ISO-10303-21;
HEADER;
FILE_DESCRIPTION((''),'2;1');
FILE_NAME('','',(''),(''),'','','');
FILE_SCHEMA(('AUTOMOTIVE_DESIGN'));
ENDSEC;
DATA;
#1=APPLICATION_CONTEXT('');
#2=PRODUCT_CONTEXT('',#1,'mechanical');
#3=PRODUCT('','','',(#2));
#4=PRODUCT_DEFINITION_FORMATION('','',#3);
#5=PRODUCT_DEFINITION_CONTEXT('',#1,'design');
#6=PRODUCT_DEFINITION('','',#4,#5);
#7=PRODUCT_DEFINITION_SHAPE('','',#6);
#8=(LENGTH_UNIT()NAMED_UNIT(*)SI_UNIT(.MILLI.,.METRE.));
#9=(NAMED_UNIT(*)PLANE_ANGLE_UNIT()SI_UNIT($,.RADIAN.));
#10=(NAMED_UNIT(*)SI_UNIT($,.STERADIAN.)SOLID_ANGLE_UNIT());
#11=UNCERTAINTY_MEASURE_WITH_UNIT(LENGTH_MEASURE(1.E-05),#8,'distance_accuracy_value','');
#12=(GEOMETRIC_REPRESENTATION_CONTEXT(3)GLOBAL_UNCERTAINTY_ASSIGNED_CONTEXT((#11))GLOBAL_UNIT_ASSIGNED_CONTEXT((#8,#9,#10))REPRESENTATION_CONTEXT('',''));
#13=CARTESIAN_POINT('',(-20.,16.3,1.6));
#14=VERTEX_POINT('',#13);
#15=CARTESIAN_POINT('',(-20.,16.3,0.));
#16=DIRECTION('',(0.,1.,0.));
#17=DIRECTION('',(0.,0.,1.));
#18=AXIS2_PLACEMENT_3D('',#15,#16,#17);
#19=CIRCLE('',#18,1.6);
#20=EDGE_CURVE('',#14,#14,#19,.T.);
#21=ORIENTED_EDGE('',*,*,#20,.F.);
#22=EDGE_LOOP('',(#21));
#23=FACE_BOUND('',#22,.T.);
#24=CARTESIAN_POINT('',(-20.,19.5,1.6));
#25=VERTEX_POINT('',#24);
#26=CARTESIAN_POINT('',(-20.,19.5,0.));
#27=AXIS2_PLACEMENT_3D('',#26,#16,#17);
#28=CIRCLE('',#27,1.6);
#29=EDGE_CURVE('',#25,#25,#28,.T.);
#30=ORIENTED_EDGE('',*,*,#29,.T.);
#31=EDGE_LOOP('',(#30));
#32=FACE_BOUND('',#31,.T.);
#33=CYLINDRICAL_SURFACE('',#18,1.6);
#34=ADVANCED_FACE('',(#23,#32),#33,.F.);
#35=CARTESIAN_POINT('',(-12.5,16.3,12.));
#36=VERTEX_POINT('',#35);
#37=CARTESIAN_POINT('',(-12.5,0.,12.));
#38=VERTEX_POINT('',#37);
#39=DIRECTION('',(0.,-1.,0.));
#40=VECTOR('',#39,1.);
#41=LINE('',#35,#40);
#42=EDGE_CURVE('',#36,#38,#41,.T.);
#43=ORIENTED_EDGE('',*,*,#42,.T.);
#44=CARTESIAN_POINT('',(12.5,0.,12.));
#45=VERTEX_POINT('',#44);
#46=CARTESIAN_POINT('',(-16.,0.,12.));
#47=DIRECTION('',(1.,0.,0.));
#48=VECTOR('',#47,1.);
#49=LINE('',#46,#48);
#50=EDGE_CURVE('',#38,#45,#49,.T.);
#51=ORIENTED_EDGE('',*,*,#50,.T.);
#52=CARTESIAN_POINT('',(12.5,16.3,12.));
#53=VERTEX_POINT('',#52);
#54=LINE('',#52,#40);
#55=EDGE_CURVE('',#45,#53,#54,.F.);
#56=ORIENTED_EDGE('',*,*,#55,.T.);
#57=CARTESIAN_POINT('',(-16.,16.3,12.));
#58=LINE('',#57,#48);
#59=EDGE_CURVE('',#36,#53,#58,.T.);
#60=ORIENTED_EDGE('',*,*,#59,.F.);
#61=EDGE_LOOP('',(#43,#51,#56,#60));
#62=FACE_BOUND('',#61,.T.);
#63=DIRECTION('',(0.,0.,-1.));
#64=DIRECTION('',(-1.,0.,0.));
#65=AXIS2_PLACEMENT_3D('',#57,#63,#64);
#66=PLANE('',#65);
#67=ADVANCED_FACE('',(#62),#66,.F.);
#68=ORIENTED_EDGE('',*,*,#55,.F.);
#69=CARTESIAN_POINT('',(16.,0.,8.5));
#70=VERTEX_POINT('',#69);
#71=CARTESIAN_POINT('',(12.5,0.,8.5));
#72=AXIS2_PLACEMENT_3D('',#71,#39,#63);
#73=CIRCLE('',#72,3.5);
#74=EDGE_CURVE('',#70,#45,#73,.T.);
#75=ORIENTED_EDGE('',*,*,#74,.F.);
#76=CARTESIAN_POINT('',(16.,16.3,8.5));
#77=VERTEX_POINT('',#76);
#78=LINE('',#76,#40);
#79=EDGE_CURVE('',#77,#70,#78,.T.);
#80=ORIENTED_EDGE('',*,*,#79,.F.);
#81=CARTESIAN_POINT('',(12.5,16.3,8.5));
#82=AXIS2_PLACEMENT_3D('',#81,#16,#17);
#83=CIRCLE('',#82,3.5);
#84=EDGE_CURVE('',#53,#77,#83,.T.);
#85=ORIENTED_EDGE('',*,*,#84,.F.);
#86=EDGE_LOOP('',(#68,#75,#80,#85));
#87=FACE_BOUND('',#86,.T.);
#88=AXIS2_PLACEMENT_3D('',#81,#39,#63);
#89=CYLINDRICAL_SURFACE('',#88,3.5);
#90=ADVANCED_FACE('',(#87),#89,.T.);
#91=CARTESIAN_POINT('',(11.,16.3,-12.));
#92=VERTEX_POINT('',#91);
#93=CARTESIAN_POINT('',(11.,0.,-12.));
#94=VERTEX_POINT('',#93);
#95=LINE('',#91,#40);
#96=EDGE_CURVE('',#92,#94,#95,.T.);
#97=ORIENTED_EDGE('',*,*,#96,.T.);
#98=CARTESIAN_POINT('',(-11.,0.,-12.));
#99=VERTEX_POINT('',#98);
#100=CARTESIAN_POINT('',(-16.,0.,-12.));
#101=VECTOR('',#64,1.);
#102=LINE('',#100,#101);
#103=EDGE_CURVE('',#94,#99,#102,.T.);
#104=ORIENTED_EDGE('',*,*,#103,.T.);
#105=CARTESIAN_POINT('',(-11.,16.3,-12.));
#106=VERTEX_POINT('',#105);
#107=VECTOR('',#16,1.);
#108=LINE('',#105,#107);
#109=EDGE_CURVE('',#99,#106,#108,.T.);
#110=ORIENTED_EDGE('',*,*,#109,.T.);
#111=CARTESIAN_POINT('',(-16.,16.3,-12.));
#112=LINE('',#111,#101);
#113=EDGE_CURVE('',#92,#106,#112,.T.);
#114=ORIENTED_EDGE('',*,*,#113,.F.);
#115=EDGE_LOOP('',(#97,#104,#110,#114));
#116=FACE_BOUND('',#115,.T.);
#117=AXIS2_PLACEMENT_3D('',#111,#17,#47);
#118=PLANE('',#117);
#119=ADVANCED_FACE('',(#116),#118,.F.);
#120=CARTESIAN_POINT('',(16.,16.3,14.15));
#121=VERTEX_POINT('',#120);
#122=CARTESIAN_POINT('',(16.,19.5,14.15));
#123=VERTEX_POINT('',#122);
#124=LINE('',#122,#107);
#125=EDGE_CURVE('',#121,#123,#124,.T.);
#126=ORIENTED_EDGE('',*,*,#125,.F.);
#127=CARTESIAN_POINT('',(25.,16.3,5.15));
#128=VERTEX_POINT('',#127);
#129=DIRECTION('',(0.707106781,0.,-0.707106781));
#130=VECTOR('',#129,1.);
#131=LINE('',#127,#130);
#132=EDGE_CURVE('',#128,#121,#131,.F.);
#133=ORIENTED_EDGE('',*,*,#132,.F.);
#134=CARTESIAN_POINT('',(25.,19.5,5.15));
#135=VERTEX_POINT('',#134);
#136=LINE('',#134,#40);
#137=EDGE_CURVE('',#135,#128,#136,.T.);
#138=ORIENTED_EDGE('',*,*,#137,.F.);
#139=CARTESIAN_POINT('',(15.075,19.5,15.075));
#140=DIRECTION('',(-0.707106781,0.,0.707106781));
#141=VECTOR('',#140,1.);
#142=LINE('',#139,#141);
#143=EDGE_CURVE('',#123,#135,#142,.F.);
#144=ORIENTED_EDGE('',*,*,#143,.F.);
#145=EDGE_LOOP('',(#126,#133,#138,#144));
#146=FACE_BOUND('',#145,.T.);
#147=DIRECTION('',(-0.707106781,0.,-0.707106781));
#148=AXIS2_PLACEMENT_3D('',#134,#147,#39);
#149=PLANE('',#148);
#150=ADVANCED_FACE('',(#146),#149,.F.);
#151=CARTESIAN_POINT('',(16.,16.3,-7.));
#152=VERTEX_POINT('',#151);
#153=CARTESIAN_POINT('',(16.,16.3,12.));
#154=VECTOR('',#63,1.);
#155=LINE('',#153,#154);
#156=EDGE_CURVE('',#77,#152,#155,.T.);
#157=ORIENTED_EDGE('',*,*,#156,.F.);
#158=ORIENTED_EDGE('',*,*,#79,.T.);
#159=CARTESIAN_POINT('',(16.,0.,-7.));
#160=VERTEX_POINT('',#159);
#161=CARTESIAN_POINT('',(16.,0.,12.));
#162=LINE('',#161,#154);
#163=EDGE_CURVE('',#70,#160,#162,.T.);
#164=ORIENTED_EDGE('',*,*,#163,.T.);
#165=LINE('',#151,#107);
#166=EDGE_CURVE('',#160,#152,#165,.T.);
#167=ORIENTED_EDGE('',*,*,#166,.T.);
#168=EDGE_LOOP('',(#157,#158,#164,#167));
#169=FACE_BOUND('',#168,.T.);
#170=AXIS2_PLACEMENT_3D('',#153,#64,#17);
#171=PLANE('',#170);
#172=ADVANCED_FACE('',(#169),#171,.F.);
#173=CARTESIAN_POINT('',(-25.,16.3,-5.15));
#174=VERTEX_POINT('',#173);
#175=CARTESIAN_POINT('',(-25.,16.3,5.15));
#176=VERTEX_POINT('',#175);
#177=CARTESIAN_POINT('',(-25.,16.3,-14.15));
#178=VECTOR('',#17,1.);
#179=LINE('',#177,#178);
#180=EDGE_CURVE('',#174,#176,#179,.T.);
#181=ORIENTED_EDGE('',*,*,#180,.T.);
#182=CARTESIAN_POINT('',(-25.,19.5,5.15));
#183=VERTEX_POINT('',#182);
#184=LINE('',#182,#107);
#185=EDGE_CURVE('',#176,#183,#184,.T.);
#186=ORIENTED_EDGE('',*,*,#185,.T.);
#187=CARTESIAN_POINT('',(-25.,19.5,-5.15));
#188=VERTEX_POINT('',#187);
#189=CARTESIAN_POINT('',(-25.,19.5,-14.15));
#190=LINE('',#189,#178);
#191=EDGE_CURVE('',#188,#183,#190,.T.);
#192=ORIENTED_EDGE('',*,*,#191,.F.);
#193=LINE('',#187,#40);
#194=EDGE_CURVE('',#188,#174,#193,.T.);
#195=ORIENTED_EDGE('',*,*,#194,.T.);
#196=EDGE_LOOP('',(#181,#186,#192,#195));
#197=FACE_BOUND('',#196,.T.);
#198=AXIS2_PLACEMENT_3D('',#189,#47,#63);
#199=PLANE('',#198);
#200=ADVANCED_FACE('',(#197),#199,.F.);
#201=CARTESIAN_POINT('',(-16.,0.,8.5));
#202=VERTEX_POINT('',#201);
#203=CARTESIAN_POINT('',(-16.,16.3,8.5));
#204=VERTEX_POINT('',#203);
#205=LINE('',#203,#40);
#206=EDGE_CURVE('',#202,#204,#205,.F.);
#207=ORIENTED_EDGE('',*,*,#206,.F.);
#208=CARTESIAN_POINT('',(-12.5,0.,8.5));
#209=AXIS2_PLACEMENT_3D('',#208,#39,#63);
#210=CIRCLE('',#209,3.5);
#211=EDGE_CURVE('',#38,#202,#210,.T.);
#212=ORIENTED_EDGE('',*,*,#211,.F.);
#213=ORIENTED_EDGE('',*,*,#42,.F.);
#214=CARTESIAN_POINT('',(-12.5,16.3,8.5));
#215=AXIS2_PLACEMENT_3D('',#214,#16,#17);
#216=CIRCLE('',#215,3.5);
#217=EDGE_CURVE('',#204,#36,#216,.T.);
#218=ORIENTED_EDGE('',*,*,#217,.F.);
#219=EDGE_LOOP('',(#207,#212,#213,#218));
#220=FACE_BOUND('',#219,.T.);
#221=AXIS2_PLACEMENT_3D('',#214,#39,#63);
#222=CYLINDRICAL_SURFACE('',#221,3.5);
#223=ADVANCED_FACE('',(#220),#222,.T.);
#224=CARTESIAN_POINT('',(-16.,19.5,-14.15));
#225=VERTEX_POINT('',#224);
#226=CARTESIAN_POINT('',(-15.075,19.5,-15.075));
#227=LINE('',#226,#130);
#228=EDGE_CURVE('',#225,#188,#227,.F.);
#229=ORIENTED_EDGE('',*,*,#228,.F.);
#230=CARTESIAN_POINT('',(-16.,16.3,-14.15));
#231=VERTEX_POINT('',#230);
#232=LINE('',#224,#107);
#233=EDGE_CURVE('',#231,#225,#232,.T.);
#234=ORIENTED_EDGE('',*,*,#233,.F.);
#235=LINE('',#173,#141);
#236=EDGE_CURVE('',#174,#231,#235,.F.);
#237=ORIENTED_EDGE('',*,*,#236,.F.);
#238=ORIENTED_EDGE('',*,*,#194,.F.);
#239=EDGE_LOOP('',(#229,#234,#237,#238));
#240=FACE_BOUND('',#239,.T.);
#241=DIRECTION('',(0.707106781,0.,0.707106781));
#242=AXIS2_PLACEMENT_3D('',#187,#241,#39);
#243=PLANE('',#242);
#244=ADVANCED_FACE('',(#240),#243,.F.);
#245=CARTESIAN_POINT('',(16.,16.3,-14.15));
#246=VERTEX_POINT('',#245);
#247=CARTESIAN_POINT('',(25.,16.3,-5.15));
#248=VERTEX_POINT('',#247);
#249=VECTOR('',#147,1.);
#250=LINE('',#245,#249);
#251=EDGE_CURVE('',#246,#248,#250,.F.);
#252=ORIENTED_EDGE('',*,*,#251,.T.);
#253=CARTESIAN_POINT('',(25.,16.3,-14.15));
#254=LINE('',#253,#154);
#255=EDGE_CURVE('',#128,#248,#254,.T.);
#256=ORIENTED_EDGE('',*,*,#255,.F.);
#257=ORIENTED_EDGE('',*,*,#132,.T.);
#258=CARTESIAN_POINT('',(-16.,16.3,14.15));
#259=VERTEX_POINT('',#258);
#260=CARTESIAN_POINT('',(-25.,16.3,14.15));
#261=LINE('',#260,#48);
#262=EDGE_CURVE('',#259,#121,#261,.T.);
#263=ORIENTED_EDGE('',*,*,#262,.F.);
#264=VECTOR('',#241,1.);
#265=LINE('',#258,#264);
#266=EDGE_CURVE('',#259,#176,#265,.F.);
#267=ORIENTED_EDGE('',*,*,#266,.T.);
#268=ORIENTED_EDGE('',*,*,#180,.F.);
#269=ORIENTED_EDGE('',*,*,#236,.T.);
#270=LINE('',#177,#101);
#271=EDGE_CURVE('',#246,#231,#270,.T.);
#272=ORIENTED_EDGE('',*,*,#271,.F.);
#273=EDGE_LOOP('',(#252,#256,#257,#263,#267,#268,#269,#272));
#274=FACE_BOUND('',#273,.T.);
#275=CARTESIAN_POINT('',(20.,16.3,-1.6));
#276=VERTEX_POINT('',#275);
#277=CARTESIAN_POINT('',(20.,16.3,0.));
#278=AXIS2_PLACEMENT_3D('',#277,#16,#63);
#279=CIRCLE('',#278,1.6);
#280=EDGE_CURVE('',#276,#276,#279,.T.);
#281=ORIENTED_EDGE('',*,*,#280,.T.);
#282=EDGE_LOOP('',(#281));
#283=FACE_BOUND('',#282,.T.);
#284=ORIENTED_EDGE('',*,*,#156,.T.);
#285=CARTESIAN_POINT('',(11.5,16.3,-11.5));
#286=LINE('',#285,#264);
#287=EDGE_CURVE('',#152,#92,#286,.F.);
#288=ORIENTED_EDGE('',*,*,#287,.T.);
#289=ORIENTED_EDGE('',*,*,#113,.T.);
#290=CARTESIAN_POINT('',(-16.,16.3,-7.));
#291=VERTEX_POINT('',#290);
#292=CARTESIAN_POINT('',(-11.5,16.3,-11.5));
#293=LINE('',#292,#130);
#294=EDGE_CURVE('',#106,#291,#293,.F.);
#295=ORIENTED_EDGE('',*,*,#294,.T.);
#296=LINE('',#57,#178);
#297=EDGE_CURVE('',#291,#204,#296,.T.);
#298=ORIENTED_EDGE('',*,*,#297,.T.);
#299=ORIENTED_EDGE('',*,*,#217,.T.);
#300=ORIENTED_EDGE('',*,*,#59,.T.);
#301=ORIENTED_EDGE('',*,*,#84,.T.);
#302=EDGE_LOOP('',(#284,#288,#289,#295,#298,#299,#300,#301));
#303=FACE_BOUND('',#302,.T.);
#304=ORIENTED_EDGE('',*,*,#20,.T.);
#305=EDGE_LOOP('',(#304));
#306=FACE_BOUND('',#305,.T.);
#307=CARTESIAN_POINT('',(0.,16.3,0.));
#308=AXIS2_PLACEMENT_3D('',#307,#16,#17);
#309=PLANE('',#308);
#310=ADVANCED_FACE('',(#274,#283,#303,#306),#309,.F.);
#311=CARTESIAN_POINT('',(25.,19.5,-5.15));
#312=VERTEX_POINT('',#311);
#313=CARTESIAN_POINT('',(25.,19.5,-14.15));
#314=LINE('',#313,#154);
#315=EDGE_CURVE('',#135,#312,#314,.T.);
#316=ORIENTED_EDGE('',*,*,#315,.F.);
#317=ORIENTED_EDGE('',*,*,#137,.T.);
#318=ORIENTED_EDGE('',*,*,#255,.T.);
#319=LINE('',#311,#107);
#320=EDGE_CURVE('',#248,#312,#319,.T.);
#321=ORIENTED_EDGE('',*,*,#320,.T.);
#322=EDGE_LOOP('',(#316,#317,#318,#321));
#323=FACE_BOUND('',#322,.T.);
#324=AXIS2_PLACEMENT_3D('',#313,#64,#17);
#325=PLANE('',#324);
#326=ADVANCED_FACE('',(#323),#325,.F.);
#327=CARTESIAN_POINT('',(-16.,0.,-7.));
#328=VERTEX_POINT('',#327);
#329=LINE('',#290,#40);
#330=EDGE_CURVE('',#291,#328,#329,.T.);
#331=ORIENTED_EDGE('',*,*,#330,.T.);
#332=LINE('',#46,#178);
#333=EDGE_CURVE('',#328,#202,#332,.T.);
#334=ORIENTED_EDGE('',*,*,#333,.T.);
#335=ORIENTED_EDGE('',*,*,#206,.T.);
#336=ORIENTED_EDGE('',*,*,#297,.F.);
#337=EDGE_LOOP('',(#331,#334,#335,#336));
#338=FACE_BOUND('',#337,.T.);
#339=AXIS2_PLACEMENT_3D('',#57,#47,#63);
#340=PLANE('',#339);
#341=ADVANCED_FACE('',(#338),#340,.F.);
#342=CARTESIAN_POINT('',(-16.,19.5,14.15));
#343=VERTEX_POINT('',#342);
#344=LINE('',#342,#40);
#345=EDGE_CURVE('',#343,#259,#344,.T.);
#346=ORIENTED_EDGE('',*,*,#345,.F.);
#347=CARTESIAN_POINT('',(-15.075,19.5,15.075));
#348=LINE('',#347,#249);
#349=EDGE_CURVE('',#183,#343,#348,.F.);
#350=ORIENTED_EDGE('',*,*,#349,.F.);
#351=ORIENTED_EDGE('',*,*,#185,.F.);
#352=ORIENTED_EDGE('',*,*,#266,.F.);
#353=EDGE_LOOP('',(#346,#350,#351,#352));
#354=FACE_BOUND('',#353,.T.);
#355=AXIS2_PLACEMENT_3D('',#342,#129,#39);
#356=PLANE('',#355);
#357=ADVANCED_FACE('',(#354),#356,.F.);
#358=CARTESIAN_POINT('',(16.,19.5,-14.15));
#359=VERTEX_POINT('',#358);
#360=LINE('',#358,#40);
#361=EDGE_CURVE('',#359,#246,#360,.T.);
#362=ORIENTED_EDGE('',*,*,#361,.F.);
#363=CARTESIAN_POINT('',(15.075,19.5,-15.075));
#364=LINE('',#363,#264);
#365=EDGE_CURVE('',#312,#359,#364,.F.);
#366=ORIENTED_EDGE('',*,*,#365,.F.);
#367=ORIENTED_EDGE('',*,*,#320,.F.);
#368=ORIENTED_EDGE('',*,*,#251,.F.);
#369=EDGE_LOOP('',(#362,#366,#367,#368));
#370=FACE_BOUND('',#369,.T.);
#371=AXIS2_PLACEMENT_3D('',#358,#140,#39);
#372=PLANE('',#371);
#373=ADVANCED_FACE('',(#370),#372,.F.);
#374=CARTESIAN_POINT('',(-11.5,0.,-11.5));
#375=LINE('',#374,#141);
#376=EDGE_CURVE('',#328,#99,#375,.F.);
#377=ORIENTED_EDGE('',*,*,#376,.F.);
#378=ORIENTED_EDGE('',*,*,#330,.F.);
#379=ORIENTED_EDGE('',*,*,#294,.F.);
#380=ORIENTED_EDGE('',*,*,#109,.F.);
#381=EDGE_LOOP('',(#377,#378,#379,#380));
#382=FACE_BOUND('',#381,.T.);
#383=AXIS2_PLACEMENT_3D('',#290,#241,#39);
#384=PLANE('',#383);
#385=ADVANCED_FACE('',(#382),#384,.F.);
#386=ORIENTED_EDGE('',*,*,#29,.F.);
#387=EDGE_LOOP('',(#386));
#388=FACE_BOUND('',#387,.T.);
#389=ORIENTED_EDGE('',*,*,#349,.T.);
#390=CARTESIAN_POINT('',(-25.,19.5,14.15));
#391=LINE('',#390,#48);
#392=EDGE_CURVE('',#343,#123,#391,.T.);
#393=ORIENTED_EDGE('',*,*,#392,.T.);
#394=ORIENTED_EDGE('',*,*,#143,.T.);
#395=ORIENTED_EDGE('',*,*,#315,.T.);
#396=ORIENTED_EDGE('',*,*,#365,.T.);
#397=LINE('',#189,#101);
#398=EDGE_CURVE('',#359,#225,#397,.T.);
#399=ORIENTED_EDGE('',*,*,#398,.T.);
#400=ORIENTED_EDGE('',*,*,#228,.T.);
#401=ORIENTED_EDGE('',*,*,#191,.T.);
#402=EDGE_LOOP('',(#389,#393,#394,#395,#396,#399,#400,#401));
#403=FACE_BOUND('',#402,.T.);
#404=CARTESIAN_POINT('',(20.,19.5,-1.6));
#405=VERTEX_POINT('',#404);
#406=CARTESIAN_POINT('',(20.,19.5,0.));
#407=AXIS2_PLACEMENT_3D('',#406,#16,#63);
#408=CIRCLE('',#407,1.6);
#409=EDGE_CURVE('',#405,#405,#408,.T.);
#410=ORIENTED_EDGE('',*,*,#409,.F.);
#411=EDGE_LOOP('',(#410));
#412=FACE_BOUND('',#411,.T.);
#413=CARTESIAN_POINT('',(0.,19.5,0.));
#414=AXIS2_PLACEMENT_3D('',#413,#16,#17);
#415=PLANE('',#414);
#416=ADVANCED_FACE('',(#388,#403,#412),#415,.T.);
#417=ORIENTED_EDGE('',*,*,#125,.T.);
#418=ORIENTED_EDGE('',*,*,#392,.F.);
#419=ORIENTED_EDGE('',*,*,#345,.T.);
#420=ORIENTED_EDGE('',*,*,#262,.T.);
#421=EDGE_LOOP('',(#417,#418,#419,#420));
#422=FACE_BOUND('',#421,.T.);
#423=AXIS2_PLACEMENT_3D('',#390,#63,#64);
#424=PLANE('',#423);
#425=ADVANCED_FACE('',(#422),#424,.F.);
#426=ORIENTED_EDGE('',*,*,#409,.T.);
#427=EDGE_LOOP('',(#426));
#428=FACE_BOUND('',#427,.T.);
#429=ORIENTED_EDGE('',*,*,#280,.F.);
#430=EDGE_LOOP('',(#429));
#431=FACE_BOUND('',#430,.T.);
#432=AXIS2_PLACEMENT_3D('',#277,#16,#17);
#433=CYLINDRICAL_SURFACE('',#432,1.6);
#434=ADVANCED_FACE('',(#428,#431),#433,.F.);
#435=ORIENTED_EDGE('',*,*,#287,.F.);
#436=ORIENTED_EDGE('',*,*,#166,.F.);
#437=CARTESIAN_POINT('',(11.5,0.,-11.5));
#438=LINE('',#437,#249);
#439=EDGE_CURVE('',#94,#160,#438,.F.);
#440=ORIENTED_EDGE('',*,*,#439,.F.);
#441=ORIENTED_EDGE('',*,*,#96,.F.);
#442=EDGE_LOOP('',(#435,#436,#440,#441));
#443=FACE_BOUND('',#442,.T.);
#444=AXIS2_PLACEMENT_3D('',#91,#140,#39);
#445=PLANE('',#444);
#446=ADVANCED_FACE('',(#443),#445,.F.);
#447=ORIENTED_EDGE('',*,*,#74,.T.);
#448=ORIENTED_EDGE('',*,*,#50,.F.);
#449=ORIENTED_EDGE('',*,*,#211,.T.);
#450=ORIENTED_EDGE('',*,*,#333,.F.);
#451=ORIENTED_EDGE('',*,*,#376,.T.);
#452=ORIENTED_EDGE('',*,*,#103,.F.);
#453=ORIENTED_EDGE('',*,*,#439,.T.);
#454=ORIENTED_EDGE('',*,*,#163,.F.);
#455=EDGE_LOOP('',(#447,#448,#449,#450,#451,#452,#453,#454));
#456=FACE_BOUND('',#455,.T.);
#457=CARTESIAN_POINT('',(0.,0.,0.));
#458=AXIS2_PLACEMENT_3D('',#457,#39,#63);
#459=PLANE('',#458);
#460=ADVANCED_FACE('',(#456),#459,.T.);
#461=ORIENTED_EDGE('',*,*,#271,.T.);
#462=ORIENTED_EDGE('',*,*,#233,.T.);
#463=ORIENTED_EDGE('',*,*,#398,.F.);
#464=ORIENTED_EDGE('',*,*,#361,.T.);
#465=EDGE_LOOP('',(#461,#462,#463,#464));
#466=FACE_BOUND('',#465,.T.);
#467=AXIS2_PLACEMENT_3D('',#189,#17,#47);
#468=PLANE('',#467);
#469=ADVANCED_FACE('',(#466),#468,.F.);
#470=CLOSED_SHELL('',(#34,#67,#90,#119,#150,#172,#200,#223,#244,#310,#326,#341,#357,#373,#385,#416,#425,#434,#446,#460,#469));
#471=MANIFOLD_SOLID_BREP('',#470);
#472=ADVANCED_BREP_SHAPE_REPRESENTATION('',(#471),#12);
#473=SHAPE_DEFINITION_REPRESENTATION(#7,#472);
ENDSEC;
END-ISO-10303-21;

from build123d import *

# Parameters (mm, degrees)
SKETCH1_W           = 32
SKETCH1_H           = 24
BOSS_EXTRUDE1_DEPTH = 16.3
SKETCH2_W           = 50
SKETCH2_H           = 28.3
BOSS_EXTRUDE2_DEPTH = 3.2
FILLET1_R           = 3.5
CHAMFER1_SIZE       = 5
CHAMFER2_SIZE       = 9
SKETCH3_R           = 1.6
CUT_EXTRUDE1_DEPTH  = 3.2


with BuildPart() as part:
    # Sketch1 → Boss-Extrude1 (new body)
    with BuildSketch(Plane(origin=(0, 0, 0), x_dir=(1, 0, 0), z_dir=(0, 1, 0))):
        Rectangle(SKETCH1_W, SKETCH1_H)
    extrude(amount=BOSS_EXTRUDE1_DEPTH)

    # Sketch2 → Boss-Extrude2 (add)
    with BuildSketch(Plane(origin=(0, 16.3, 0), x_dir=(1, 0, 0), z_dir=(0, 1, 0))):
        Rectangle(SKETCH2_W, SKETCH2_H)
    extrude(amount=BOSS_EXTRUDE2_DEPTH)

    # Fillet1
    fillet1_edges = [part.edges().sort_by_distance(p)[0] for p in [
        (16, 8.15, 12),
        (-16, 8.15, 12),
    ]]
    fillet(fillet1_edges, radius=FILLET1_R)

    # Chamfer1
    chamfer1_edges = [part.edges().sort_by_distance(p)[0] for p in [
        (-16, 8.15, -12),
        (16, 8.15, -12),
    ]]
    chamfer(chamfer1_edges, length=CHAMFER1_SIZE)

    # Chamfer2
    chamfer2_edges = [part.edges().sort_by_distance(p)[0] for p in [
        (25, 17.9, 14.15),
        (25, 17.9, -14.15),
        (-25, 17.9, -14.15),
        (-25, 17.9, 14.15),
    ]]
    chamfer(chamfer2_edges, length=CHAMFER2_SIZE)

    # Sketch3 → Cut-Extrude1 (cut)
    with BuildSketch(Plane(origin=(0, 19.5, 0), x_dir=(1, 0, 0), z_dir=(0, 1, 0))):
        with Locations(Location((-20, 0, 0), (0, 0, 270))):
            Circle(SKETCH3_R)
        with Locations(Location((20, 0, 0), (0, 0, 90))):
            Circle(SKETCH3_R)
    extrude(amount=-CUT_EXTRUDE1_DEPTH, mode=Mode.SUBTRACT)


solid = part.part
